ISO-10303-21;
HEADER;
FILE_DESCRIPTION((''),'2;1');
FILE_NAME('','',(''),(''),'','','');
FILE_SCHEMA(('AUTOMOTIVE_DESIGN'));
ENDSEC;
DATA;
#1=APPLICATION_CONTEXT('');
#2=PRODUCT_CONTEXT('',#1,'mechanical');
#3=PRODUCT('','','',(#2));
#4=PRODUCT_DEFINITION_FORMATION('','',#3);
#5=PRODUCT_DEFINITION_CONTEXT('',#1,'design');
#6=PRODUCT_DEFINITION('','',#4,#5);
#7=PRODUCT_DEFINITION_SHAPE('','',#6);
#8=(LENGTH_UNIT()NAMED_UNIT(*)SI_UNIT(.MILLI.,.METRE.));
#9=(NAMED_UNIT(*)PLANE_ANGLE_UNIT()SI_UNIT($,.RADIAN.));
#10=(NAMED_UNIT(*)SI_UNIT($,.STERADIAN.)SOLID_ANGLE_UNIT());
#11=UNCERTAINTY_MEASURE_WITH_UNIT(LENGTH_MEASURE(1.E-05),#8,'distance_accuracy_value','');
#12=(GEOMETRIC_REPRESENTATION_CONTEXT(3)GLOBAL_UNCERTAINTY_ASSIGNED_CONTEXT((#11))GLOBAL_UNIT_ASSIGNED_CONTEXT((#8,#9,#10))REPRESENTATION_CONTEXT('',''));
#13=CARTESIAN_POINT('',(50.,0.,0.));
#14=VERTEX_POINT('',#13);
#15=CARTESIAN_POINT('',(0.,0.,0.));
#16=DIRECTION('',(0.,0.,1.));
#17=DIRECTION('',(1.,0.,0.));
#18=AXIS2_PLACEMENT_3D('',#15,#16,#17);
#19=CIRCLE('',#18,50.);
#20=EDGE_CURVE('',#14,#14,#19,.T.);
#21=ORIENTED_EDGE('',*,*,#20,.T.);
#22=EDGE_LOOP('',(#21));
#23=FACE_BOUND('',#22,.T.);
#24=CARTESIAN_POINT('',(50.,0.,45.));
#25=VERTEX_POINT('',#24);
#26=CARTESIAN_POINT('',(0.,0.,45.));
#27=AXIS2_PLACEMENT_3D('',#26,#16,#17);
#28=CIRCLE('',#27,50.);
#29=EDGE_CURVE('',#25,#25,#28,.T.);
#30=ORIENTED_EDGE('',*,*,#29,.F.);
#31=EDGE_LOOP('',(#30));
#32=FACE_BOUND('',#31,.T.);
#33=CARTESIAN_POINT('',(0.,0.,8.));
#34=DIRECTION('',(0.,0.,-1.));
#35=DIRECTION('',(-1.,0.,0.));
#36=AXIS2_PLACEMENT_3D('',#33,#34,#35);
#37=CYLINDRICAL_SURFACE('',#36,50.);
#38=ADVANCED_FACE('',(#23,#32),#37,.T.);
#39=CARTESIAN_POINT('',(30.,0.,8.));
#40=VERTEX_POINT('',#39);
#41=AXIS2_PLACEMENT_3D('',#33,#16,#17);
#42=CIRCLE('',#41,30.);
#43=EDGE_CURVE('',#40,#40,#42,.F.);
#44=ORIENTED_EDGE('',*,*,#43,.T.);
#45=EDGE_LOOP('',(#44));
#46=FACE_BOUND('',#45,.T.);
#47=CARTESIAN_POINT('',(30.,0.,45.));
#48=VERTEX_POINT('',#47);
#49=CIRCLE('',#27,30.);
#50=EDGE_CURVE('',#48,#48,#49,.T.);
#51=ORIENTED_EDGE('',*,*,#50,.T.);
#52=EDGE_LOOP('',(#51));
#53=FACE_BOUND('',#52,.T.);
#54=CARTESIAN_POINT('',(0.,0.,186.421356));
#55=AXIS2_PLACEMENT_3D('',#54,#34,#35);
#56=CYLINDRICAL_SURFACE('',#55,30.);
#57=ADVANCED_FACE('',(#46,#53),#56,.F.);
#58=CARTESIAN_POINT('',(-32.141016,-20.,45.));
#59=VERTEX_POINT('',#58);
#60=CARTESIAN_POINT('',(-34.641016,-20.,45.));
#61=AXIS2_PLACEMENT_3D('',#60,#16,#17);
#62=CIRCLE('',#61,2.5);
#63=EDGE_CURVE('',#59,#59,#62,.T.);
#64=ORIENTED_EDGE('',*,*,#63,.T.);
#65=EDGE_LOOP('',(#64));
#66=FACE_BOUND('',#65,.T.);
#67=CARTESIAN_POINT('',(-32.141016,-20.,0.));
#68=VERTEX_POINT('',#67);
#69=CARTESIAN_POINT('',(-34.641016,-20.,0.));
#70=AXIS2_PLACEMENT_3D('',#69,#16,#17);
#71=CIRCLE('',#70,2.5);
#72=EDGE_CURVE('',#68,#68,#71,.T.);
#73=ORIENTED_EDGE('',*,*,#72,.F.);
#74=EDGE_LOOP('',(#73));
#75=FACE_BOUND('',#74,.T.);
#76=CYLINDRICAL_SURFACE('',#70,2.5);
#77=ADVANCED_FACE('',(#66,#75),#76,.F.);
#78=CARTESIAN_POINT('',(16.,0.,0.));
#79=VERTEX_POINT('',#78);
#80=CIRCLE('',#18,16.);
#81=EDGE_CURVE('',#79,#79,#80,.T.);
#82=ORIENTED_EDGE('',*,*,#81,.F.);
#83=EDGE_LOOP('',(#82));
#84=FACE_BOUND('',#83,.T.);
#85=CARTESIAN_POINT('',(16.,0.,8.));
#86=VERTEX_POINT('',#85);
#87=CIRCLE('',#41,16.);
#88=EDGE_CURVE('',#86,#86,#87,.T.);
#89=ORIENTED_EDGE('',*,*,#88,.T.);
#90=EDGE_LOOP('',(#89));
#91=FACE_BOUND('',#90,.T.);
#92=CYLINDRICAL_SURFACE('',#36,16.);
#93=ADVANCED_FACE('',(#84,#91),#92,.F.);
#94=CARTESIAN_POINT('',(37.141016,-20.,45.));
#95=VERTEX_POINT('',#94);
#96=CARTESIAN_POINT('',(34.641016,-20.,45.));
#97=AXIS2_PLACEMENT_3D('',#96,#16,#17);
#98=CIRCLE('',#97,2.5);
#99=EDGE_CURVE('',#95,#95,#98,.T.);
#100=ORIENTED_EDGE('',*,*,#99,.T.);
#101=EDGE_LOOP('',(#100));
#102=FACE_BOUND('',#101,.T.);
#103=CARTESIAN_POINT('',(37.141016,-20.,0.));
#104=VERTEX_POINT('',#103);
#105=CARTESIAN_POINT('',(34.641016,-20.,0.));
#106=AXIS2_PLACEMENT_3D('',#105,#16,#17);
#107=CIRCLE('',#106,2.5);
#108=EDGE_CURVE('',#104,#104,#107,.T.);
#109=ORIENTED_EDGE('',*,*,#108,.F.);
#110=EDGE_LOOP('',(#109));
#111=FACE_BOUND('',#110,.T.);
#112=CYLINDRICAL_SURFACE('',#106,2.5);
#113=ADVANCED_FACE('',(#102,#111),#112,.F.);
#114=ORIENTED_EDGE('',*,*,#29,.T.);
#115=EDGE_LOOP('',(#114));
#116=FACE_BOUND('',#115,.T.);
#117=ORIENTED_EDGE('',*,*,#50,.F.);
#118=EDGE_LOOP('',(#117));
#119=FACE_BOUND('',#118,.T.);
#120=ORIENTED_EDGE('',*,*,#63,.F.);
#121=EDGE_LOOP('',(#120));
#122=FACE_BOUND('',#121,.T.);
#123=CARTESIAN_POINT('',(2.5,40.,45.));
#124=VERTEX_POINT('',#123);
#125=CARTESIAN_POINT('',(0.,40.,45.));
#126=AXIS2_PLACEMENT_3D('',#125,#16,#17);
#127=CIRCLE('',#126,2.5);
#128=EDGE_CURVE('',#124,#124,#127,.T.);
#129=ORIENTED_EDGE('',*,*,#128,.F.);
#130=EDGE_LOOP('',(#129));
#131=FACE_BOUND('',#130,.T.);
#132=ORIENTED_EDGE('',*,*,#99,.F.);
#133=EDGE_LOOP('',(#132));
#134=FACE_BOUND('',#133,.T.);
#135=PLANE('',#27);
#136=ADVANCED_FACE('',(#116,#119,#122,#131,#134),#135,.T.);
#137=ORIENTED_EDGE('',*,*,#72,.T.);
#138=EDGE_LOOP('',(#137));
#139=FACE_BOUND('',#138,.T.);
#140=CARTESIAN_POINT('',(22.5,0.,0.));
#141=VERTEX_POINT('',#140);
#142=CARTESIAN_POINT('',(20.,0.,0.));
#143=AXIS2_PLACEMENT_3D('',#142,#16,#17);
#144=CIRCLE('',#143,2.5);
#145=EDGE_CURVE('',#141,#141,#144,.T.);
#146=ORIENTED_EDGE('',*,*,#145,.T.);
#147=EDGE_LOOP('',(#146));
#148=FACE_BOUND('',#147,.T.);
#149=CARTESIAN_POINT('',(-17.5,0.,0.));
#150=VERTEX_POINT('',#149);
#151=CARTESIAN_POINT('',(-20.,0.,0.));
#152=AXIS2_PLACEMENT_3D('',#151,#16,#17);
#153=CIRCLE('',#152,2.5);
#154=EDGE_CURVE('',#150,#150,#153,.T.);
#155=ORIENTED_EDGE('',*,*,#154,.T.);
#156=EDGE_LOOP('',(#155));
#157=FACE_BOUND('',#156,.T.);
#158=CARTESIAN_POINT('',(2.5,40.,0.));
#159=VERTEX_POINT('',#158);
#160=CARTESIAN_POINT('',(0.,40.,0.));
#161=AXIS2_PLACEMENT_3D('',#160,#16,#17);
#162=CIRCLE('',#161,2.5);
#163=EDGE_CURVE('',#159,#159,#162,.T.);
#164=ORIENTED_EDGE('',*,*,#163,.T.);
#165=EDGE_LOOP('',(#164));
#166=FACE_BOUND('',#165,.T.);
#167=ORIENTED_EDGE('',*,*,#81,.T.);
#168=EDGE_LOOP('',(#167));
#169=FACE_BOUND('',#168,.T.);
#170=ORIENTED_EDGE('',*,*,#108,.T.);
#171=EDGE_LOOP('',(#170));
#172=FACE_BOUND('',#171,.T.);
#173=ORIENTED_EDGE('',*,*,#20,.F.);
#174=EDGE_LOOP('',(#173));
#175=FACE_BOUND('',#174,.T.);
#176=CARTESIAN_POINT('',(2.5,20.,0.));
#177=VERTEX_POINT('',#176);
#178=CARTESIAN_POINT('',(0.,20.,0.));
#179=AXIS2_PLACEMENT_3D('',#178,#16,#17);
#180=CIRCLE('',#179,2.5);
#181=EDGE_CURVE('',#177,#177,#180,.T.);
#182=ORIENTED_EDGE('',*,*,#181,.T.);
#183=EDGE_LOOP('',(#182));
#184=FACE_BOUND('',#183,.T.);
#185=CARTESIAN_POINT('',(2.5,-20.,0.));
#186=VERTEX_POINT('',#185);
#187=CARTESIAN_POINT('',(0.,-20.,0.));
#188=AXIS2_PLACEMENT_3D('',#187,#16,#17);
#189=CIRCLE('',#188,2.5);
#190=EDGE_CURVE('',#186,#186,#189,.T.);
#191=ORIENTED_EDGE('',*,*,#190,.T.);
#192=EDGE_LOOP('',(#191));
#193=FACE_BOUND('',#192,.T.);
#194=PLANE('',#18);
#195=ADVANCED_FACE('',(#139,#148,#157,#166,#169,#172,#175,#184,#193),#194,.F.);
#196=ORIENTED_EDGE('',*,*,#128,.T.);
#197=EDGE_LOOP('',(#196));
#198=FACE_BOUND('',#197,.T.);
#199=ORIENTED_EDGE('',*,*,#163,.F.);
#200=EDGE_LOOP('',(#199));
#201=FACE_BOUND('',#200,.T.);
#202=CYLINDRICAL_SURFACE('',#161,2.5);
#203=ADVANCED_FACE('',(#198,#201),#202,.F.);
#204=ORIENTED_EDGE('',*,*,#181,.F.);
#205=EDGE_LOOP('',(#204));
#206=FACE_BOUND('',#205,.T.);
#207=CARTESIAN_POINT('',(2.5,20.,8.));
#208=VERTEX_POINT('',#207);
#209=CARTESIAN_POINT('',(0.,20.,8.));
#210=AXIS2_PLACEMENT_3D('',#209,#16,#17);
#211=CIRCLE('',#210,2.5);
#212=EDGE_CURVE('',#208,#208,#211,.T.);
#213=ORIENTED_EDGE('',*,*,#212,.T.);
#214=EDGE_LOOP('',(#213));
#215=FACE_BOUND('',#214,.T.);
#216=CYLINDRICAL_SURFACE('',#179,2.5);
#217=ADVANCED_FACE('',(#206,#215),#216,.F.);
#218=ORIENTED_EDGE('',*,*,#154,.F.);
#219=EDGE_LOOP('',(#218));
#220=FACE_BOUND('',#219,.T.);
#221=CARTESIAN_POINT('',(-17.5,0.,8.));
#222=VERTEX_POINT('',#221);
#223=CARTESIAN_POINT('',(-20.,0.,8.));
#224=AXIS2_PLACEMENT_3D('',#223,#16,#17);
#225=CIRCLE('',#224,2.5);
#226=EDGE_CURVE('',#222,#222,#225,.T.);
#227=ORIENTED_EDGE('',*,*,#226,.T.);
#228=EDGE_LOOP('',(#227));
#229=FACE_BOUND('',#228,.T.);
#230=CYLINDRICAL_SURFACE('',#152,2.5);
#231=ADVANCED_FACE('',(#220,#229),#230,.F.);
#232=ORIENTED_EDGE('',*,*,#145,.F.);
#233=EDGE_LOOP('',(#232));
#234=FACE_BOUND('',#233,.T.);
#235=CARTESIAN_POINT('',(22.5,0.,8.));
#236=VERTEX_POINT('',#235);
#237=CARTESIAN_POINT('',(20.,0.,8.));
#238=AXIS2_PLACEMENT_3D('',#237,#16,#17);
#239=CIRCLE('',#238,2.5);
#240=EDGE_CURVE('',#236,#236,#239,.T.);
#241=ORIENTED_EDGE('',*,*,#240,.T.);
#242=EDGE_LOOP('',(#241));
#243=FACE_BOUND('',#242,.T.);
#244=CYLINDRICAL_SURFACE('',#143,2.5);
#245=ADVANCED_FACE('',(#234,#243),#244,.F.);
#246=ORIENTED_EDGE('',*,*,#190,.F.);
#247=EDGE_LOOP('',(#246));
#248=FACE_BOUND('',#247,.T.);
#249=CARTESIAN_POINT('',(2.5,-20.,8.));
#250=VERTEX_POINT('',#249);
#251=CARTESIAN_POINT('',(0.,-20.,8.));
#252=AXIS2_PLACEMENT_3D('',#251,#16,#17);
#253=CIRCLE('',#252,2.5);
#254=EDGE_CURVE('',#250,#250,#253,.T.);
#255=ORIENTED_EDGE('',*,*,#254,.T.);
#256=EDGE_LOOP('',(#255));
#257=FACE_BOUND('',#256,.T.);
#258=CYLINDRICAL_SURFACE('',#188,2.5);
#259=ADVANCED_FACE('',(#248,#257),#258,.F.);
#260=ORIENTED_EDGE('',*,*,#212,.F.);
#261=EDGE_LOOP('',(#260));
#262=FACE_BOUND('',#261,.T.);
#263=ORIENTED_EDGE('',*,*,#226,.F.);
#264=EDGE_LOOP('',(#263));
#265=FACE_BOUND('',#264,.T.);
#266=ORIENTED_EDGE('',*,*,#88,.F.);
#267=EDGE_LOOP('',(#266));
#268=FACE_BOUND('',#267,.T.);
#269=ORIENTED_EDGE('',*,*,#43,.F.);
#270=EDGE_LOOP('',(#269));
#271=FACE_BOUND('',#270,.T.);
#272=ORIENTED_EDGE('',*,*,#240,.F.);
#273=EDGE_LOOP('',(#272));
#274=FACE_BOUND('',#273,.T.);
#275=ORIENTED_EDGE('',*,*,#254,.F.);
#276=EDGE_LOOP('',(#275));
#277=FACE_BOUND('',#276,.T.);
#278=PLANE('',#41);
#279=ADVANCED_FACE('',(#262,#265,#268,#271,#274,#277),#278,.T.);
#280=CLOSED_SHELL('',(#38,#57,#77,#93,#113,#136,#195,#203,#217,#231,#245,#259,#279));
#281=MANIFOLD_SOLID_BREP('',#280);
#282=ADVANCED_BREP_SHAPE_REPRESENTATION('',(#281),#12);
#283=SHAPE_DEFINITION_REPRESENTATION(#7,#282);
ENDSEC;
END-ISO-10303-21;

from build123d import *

# Parameters (mm, degrees)
SKETCH1_R           = 50
SKETCH1_R_2         = 16
BOSS_EXTRUDE1_DEPTH = 8
SKETCH2_R           = 50
SKETCH2_R_2         = 30
BOSS_EXTRUDE2_DEPTH = 37
SKETCH3_R           = 2.5
CUT_EXTRUDE1_DEPTH  = 46
SKETCH4_R           = 2.5
CUT_EXTRUDE2_DEPTH  = 9


with BuildPart() as part:
    # Sketch1 → Boss-Extrude1 (new body)
    with BuildSketch(Plane.XY):
        Circle(SKETCH1_R)
        Circle(SKETCH1_R_2, mode=Mode.SUBTRACT)
    extrude(amount=BOSS_EXTRUDE1_DEPTH)

    # Sketch2 → Boss-Extrude2 (add)
    with BuildSketch(Plane.XY.offset(8)):
        Circle(SKETCH2_R)
        Circle(SKETCH2_R_2, mode=Mode.SUBTRACT)
    extrude(amount=BOSS_EXTRUDE2_DEPTH)

    # Sketch3 → Cut-Extrude1 (cut, through all)
    with BuildSketch(Plane.XY.offset(45)):
        with Locations((0, 40)):
            Circle(SKETCH3_R)
        with Locations((34.641016151, -20)):
            Circle(SKETCH3_R)
        with Locations((-34.641016151, -20)):
            Circle(SKETCH3_R)
    extrude(amount=-CUT_EXTRUDE1_DEPTH, mode=Mode.SUBTRACT)

    # Sketch4 → Cut-Extrude2 (cut, through all)
    with BuildSketch(Plane.XY.offset(8)):
        with Locations((0, 20)):
            Circle(SKETCH4_R)
        with Locations((20, 0)):
            Circle(SKETCH4_R)
        with Locations((0, -20)):
            Circle(SKETCH4_R)
        with Locations((-20, 0)):
            Circle(SKETCH4_R)
    extrude(amount=-CUT_EXTRUDE2_DEPTH, mode=Mode.SUBTRACT)


solid = part.part
